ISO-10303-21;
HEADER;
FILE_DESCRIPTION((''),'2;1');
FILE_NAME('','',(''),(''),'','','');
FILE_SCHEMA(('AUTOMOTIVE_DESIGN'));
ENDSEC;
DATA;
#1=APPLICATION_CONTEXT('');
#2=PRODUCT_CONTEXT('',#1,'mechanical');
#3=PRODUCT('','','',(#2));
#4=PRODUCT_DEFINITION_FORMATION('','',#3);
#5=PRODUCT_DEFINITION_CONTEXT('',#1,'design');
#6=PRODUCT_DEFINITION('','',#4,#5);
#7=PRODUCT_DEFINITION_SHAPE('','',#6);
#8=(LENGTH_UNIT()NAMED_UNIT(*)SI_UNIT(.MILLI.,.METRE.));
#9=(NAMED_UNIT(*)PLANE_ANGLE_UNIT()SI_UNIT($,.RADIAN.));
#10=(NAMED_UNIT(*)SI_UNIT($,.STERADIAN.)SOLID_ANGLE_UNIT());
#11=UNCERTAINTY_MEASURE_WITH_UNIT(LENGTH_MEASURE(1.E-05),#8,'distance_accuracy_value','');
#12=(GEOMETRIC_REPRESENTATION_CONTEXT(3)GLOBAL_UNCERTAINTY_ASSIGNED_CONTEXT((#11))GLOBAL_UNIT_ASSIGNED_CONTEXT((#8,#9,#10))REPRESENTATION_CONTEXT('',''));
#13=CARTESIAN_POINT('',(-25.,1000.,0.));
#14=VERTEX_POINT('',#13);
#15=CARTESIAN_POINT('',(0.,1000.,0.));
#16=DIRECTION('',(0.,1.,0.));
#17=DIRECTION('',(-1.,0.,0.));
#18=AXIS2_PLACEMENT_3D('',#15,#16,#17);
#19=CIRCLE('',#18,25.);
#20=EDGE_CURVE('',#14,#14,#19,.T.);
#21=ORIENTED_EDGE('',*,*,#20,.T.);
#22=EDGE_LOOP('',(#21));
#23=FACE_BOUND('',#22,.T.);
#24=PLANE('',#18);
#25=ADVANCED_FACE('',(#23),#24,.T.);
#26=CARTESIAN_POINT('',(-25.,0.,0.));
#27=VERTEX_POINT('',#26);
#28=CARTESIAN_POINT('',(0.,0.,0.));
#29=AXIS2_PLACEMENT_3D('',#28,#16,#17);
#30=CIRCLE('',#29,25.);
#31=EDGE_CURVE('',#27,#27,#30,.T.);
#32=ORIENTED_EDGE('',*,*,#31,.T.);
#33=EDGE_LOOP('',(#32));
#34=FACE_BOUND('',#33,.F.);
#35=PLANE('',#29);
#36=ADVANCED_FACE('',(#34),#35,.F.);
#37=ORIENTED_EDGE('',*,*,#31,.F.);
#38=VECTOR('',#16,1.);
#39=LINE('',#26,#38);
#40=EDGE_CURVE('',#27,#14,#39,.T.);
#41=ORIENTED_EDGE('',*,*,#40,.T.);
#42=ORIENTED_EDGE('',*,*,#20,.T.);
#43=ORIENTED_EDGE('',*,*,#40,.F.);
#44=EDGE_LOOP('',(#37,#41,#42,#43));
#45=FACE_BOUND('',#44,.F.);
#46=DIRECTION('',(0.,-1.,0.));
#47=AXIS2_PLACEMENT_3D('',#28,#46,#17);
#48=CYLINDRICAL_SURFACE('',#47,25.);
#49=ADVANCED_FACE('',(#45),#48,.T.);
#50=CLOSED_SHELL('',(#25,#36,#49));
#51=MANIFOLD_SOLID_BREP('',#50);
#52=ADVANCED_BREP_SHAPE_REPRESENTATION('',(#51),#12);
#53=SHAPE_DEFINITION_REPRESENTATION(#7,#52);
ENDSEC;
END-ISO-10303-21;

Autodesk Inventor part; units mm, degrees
ref_plane "YZ Plane" through (0, 0, 0) normal (1, 0, 0) x (0, 1, 0)
ref_plane "XZ Plane" through (0, 0, 0) normal (0, 1, 0) x (-1, 0, 0)
ref_plane "XY Plane" through (0, 0, 0) normal (0, 0, 1) x (1, 0, 0)
sketch "Sketch1" plane through (0, 0, 0) normal (0, 1, 0) x (-1, 0, 0)
  circle A0 centre (0, 0) radius 25
  dimension "d0" = 50
extrude "Extrusion1" add sketch "Sketch1" along normal blind 1000
properties part number "Support" material "Aluminum 6061"
